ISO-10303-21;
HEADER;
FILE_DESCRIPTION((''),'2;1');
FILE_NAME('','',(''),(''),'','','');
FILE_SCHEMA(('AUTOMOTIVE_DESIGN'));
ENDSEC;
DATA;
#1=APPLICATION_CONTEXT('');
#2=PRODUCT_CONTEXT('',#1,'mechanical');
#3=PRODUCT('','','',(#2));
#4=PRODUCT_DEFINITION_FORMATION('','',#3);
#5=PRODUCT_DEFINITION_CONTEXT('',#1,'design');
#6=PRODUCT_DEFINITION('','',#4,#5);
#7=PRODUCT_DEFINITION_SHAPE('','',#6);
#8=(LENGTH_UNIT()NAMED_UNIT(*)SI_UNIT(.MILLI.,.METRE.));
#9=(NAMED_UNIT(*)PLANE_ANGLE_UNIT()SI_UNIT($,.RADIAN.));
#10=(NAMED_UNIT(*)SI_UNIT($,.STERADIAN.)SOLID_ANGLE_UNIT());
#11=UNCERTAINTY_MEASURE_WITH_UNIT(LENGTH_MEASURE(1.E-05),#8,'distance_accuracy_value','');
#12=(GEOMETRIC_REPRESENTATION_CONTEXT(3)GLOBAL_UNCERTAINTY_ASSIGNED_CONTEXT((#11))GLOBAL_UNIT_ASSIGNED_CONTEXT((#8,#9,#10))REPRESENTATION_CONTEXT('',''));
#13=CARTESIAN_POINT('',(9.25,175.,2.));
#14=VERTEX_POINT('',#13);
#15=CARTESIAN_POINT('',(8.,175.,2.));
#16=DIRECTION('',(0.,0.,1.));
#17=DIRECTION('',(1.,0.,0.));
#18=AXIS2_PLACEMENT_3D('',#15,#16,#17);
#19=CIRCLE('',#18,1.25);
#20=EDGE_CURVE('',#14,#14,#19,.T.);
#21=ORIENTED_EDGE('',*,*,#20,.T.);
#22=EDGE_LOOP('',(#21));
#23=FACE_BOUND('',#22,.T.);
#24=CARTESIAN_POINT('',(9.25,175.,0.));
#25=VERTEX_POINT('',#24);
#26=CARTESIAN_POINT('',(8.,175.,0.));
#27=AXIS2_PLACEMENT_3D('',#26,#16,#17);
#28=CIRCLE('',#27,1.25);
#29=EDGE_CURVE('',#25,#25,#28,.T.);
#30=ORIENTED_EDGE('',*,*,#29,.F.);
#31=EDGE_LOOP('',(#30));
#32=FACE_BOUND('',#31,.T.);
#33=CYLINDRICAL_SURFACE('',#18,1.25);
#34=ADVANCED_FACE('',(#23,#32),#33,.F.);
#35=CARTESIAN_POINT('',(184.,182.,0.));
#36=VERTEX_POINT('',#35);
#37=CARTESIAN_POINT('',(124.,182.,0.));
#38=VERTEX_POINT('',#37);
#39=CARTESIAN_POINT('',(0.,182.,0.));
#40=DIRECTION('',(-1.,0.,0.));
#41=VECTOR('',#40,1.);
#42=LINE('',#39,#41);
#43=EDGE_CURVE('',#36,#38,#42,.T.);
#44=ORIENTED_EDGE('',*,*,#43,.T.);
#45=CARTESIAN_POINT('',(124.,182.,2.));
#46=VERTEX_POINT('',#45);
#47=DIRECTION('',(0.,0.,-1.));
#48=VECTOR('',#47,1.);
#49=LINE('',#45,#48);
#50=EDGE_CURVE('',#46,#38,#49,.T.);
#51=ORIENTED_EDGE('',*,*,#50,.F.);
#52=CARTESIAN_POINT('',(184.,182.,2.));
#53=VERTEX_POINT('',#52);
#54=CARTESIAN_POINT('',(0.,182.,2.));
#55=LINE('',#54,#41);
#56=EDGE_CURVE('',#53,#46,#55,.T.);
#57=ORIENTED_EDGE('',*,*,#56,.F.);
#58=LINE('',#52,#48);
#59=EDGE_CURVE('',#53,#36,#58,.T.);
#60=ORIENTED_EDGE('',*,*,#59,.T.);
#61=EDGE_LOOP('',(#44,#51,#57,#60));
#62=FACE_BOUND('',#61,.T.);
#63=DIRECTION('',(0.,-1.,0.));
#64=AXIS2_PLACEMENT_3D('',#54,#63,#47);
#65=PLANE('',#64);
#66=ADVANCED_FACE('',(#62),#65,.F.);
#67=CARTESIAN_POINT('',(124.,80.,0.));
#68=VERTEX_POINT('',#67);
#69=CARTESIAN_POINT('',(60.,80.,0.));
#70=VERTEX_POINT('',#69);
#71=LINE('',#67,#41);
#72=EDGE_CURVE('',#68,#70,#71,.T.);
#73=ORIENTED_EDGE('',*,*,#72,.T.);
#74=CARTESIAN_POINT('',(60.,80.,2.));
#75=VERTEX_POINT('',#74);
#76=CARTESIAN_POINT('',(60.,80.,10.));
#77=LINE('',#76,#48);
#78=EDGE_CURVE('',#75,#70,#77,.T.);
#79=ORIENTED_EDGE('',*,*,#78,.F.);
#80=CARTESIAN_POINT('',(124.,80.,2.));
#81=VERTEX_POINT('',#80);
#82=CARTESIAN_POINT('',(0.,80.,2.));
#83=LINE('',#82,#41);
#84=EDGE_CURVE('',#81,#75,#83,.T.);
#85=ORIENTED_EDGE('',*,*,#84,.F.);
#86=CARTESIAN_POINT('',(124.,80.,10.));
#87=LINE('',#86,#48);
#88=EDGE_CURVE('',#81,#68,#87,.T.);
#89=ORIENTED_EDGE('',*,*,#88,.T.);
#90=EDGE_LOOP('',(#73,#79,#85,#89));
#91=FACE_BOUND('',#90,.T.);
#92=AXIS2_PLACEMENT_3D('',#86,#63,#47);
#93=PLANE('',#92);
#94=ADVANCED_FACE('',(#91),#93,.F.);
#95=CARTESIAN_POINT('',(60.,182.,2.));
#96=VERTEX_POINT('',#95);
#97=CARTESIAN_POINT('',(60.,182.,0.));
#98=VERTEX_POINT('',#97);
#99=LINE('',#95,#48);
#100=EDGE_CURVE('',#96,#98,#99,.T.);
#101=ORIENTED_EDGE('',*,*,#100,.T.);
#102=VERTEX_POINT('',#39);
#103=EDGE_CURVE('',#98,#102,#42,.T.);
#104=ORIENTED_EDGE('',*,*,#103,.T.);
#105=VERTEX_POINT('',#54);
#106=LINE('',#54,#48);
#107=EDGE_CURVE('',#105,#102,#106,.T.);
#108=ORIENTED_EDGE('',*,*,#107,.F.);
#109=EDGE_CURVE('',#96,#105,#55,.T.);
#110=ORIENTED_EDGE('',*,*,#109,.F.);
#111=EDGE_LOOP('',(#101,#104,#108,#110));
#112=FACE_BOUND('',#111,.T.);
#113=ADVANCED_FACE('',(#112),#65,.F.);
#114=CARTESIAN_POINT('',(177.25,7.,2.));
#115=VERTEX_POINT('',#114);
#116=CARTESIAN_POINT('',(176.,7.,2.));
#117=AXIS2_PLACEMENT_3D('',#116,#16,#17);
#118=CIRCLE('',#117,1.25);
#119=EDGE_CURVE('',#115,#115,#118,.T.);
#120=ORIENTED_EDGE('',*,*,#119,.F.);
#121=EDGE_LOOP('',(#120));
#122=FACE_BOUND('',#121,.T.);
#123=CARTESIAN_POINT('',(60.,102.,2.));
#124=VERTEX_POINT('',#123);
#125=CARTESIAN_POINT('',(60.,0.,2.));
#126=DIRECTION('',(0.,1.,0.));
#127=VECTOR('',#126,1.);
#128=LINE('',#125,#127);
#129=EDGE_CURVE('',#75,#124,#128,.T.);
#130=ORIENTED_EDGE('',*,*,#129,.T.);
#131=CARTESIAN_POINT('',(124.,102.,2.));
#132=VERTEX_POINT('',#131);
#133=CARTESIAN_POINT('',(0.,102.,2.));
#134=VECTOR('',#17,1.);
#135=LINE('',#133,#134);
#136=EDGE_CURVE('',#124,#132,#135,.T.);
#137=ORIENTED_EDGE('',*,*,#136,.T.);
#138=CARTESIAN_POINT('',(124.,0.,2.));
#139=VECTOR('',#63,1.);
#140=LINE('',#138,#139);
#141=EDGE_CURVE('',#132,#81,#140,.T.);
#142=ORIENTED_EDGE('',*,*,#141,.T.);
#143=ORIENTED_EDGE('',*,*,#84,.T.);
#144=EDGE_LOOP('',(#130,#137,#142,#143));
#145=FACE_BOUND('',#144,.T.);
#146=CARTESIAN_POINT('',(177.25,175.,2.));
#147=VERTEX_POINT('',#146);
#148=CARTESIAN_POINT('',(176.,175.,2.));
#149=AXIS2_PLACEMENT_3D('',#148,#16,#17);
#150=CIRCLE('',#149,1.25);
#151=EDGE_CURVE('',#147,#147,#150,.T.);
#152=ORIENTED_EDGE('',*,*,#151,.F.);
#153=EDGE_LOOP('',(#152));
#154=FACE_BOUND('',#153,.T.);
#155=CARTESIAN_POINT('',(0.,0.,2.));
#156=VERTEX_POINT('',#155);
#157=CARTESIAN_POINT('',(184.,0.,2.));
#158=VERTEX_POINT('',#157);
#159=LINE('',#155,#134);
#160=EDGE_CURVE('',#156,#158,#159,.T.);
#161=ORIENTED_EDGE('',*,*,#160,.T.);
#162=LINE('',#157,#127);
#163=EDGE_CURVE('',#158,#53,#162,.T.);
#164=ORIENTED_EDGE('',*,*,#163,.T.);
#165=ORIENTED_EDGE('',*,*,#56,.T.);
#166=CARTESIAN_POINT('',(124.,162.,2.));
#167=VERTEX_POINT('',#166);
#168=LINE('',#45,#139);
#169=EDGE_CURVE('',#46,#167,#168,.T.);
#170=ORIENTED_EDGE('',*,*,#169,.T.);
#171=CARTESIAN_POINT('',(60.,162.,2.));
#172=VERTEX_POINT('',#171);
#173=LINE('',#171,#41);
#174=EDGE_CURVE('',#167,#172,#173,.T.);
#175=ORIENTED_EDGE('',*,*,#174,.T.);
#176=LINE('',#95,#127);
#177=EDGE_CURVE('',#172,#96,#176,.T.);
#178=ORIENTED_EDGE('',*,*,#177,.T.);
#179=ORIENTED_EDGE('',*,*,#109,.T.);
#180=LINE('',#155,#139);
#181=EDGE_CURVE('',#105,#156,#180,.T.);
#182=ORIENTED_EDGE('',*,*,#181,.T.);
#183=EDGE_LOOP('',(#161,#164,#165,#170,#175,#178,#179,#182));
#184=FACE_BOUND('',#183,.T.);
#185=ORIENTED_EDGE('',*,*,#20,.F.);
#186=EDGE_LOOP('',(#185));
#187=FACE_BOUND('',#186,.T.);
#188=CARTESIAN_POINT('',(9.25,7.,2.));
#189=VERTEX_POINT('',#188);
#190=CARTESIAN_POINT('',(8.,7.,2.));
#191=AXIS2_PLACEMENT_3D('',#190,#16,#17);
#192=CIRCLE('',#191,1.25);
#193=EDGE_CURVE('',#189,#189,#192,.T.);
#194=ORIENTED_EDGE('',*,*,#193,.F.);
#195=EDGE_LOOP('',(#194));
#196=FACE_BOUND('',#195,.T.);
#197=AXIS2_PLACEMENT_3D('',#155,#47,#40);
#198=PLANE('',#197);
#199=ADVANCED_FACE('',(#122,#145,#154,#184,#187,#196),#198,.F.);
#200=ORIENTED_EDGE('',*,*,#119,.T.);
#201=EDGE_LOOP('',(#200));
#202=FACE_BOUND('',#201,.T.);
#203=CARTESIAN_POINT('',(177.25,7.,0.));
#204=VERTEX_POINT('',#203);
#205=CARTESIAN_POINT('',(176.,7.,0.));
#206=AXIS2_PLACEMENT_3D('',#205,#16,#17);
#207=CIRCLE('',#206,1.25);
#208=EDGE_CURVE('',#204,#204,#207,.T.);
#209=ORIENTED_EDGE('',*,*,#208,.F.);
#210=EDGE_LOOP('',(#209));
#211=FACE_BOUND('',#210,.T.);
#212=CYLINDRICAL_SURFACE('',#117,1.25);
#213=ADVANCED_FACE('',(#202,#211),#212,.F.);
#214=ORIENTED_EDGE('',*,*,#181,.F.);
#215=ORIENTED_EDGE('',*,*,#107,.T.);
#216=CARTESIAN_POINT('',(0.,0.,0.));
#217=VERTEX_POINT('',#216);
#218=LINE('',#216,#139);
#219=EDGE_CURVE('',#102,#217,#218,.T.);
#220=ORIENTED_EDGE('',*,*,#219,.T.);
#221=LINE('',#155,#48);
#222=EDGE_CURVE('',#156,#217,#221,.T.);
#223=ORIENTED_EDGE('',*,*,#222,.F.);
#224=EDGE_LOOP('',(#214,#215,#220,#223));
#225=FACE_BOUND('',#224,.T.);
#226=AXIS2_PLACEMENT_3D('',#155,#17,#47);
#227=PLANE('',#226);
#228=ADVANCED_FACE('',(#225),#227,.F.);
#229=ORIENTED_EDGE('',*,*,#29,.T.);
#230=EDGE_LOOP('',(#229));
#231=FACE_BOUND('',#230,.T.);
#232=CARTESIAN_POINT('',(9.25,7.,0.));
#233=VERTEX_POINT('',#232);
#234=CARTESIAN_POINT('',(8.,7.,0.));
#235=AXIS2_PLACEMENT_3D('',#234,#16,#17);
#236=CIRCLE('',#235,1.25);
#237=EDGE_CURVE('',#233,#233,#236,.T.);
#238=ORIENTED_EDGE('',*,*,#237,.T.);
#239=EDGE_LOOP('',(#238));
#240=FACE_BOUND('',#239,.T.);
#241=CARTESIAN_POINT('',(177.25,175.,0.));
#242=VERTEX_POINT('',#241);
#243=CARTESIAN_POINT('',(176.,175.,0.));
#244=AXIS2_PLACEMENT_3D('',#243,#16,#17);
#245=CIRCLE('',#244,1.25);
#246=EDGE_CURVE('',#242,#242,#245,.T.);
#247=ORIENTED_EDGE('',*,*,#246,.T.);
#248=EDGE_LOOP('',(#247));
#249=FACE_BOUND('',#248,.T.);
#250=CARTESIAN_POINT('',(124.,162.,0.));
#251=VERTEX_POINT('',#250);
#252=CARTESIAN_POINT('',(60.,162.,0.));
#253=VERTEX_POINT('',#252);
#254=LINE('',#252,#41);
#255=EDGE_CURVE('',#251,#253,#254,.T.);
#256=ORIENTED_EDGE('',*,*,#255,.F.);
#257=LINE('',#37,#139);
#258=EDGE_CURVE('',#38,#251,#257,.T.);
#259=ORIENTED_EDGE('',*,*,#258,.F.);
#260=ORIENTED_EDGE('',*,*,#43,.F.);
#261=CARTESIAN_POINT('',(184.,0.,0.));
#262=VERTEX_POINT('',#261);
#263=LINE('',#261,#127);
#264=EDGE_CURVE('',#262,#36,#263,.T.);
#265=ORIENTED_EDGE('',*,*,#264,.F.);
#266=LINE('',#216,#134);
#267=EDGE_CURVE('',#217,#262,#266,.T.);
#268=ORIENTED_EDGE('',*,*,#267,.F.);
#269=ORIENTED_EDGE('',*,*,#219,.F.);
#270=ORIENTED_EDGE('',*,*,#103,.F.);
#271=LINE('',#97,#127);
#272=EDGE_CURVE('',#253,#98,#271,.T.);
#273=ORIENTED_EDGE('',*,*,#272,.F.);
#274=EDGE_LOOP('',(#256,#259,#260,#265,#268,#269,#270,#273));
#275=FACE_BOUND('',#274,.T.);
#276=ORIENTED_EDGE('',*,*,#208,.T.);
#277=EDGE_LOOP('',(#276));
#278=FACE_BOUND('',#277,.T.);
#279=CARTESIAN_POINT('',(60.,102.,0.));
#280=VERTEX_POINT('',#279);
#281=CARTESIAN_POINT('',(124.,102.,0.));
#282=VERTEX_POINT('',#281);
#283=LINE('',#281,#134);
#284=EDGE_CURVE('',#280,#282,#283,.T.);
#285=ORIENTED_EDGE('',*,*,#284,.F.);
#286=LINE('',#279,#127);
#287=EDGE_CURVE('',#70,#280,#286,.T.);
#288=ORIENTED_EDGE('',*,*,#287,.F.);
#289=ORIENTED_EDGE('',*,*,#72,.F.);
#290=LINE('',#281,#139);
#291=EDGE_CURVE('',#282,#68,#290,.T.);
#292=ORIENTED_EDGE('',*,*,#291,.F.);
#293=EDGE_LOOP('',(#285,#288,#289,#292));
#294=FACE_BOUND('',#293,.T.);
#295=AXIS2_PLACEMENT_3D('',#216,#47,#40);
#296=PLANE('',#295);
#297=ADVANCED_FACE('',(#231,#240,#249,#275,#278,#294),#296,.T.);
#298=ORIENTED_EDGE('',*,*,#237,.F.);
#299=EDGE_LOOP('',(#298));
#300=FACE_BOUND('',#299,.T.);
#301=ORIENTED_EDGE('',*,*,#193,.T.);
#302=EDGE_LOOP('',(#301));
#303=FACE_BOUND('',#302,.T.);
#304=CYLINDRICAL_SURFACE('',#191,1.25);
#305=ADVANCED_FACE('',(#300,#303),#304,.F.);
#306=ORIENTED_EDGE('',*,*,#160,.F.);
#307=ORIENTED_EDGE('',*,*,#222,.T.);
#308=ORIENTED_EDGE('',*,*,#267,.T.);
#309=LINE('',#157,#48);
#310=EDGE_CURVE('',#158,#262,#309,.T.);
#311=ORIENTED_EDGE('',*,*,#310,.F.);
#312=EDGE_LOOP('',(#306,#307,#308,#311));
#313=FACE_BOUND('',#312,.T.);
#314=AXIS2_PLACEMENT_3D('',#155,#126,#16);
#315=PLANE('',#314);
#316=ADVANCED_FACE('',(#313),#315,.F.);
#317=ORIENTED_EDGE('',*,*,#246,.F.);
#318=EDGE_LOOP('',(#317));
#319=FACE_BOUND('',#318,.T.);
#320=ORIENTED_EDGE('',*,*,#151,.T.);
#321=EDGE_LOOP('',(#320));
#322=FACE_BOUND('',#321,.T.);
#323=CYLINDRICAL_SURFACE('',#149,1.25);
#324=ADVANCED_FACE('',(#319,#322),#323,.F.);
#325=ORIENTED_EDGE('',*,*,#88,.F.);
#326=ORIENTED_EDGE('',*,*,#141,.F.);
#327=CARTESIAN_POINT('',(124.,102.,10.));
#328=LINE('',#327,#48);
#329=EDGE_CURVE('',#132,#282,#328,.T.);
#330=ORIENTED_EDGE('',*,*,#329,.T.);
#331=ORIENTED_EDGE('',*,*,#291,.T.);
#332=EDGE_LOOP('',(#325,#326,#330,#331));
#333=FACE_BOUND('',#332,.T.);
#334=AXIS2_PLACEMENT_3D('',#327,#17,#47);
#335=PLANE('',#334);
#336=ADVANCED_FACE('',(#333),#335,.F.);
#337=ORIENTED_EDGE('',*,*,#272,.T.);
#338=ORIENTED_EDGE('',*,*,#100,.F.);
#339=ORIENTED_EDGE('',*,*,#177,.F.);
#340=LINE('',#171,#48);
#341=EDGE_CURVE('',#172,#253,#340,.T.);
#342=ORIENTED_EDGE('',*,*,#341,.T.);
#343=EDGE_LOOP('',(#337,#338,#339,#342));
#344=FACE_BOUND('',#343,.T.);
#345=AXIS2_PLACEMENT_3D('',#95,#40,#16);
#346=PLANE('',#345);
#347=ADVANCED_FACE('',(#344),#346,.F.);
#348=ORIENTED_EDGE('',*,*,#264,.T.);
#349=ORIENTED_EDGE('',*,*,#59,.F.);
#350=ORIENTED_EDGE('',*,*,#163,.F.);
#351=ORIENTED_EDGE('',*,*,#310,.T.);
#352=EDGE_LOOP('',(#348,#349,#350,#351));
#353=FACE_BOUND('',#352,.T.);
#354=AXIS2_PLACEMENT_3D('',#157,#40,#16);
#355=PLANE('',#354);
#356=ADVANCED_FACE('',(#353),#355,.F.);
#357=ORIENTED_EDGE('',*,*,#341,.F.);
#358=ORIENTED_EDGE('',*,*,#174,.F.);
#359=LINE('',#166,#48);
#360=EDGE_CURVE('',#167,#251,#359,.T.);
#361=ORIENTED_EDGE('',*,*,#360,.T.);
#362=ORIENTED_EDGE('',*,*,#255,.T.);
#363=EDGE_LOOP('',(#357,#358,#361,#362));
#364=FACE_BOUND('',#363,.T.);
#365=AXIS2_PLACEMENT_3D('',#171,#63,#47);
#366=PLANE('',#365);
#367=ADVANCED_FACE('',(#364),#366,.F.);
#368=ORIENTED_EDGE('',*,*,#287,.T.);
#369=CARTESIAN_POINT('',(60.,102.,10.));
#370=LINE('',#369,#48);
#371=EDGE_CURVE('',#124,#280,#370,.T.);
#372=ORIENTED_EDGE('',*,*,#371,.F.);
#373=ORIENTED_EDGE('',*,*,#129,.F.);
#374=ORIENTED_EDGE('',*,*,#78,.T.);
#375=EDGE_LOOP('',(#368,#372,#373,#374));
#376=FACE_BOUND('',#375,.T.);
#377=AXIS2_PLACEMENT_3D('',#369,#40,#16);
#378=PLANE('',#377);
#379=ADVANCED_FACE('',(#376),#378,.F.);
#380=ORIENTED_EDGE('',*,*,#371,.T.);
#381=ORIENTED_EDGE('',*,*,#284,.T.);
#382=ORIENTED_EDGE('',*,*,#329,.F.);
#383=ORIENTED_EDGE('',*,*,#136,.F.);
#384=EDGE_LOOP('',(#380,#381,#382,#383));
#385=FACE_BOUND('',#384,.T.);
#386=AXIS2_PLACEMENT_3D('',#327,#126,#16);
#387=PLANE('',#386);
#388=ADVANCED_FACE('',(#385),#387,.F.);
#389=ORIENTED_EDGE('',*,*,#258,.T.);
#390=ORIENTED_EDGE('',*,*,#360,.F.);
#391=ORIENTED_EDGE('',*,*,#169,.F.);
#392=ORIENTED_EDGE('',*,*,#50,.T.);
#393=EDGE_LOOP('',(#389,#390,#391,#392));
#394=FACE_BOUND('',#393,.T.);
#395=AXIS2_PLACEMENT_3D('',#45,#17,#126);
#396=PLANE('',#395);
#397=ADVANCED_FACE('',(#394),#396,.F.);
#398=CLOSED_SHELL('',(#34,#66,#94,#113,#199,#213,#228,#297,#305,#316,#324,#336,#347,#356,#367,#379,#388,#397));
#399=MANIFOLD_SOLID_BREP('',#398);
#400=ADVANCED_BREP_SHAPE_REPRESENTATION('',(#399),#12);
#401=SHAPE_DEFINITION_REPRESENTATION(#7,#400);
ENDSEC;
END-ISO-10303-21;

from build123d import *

# Parameters (mm, degrees)
SKETCH_1_W          = 184
SKETCH_1_H          = 182
EXTRUDE_1_DEPTH     = 2
M3X0_5_1_D          = 2.5
SKETCH_4_W          = 64
SKETCH_4_H          = 20
CUT_EXTRUDE_1_DEPTH = 259.812673569
SKETCH_6_W          = 64
SKETCH_6_H          = 22
CUT_EXTRUDE_2_DEPTH = 10


with BuildPart() as part:
    # ｽｹｯﾁ1 → ﾎﾞｽ - 押し出し1 (new body)
    with BuildSketch(Plane.XY):
        with Locations((92, 91)):
            Rectangle(SKETCH_1_W, SKETCH_1_H)
    extrude(amount=EXTRUDE_1_DEPTH)

    # M3x0.5 ねじ穴1 (through all)
    with Locations(Plane.XY.offset(2)):
        with Locations((8, 175), (8, 7), (176, 7), (176, 175)):
            Hole(M3X0_5_1_D / 2)

    # ｽｹｯﾁ4 → ｶｯﾄ - 押し出し1 (cut, through all)
    with BuildSketch(Plane(origin=(0, 0, 0), x_dir=(-1, 0, 0), z_dir=(0, 0, -1))):
        with Locations((-92, 172)):
            Rectangle(SKETCH_4_W, SKETCH_4_H)
    extrude(amount=-CUT_EXTRUDE_1_DEPTH, mode=Mode.SUBTRACT)

    # ｽｹｯﾁ6 → ｶｯﾄ - 押し出し2 (cut)
    with BuildSketch(Plane(origin=(0, 0, 0), x_dir=(-1, 0, 0), z_dir=(0, 0, -1))):
        with Locations((-92, 91)):
            Rectangle(SKETCH_6_W, SKETCH_6_H)
    extrude(amount=-CUT_EXTRUDE_2_DEPTH, mode=Mode.SUBTRACT)


solid = part.part
